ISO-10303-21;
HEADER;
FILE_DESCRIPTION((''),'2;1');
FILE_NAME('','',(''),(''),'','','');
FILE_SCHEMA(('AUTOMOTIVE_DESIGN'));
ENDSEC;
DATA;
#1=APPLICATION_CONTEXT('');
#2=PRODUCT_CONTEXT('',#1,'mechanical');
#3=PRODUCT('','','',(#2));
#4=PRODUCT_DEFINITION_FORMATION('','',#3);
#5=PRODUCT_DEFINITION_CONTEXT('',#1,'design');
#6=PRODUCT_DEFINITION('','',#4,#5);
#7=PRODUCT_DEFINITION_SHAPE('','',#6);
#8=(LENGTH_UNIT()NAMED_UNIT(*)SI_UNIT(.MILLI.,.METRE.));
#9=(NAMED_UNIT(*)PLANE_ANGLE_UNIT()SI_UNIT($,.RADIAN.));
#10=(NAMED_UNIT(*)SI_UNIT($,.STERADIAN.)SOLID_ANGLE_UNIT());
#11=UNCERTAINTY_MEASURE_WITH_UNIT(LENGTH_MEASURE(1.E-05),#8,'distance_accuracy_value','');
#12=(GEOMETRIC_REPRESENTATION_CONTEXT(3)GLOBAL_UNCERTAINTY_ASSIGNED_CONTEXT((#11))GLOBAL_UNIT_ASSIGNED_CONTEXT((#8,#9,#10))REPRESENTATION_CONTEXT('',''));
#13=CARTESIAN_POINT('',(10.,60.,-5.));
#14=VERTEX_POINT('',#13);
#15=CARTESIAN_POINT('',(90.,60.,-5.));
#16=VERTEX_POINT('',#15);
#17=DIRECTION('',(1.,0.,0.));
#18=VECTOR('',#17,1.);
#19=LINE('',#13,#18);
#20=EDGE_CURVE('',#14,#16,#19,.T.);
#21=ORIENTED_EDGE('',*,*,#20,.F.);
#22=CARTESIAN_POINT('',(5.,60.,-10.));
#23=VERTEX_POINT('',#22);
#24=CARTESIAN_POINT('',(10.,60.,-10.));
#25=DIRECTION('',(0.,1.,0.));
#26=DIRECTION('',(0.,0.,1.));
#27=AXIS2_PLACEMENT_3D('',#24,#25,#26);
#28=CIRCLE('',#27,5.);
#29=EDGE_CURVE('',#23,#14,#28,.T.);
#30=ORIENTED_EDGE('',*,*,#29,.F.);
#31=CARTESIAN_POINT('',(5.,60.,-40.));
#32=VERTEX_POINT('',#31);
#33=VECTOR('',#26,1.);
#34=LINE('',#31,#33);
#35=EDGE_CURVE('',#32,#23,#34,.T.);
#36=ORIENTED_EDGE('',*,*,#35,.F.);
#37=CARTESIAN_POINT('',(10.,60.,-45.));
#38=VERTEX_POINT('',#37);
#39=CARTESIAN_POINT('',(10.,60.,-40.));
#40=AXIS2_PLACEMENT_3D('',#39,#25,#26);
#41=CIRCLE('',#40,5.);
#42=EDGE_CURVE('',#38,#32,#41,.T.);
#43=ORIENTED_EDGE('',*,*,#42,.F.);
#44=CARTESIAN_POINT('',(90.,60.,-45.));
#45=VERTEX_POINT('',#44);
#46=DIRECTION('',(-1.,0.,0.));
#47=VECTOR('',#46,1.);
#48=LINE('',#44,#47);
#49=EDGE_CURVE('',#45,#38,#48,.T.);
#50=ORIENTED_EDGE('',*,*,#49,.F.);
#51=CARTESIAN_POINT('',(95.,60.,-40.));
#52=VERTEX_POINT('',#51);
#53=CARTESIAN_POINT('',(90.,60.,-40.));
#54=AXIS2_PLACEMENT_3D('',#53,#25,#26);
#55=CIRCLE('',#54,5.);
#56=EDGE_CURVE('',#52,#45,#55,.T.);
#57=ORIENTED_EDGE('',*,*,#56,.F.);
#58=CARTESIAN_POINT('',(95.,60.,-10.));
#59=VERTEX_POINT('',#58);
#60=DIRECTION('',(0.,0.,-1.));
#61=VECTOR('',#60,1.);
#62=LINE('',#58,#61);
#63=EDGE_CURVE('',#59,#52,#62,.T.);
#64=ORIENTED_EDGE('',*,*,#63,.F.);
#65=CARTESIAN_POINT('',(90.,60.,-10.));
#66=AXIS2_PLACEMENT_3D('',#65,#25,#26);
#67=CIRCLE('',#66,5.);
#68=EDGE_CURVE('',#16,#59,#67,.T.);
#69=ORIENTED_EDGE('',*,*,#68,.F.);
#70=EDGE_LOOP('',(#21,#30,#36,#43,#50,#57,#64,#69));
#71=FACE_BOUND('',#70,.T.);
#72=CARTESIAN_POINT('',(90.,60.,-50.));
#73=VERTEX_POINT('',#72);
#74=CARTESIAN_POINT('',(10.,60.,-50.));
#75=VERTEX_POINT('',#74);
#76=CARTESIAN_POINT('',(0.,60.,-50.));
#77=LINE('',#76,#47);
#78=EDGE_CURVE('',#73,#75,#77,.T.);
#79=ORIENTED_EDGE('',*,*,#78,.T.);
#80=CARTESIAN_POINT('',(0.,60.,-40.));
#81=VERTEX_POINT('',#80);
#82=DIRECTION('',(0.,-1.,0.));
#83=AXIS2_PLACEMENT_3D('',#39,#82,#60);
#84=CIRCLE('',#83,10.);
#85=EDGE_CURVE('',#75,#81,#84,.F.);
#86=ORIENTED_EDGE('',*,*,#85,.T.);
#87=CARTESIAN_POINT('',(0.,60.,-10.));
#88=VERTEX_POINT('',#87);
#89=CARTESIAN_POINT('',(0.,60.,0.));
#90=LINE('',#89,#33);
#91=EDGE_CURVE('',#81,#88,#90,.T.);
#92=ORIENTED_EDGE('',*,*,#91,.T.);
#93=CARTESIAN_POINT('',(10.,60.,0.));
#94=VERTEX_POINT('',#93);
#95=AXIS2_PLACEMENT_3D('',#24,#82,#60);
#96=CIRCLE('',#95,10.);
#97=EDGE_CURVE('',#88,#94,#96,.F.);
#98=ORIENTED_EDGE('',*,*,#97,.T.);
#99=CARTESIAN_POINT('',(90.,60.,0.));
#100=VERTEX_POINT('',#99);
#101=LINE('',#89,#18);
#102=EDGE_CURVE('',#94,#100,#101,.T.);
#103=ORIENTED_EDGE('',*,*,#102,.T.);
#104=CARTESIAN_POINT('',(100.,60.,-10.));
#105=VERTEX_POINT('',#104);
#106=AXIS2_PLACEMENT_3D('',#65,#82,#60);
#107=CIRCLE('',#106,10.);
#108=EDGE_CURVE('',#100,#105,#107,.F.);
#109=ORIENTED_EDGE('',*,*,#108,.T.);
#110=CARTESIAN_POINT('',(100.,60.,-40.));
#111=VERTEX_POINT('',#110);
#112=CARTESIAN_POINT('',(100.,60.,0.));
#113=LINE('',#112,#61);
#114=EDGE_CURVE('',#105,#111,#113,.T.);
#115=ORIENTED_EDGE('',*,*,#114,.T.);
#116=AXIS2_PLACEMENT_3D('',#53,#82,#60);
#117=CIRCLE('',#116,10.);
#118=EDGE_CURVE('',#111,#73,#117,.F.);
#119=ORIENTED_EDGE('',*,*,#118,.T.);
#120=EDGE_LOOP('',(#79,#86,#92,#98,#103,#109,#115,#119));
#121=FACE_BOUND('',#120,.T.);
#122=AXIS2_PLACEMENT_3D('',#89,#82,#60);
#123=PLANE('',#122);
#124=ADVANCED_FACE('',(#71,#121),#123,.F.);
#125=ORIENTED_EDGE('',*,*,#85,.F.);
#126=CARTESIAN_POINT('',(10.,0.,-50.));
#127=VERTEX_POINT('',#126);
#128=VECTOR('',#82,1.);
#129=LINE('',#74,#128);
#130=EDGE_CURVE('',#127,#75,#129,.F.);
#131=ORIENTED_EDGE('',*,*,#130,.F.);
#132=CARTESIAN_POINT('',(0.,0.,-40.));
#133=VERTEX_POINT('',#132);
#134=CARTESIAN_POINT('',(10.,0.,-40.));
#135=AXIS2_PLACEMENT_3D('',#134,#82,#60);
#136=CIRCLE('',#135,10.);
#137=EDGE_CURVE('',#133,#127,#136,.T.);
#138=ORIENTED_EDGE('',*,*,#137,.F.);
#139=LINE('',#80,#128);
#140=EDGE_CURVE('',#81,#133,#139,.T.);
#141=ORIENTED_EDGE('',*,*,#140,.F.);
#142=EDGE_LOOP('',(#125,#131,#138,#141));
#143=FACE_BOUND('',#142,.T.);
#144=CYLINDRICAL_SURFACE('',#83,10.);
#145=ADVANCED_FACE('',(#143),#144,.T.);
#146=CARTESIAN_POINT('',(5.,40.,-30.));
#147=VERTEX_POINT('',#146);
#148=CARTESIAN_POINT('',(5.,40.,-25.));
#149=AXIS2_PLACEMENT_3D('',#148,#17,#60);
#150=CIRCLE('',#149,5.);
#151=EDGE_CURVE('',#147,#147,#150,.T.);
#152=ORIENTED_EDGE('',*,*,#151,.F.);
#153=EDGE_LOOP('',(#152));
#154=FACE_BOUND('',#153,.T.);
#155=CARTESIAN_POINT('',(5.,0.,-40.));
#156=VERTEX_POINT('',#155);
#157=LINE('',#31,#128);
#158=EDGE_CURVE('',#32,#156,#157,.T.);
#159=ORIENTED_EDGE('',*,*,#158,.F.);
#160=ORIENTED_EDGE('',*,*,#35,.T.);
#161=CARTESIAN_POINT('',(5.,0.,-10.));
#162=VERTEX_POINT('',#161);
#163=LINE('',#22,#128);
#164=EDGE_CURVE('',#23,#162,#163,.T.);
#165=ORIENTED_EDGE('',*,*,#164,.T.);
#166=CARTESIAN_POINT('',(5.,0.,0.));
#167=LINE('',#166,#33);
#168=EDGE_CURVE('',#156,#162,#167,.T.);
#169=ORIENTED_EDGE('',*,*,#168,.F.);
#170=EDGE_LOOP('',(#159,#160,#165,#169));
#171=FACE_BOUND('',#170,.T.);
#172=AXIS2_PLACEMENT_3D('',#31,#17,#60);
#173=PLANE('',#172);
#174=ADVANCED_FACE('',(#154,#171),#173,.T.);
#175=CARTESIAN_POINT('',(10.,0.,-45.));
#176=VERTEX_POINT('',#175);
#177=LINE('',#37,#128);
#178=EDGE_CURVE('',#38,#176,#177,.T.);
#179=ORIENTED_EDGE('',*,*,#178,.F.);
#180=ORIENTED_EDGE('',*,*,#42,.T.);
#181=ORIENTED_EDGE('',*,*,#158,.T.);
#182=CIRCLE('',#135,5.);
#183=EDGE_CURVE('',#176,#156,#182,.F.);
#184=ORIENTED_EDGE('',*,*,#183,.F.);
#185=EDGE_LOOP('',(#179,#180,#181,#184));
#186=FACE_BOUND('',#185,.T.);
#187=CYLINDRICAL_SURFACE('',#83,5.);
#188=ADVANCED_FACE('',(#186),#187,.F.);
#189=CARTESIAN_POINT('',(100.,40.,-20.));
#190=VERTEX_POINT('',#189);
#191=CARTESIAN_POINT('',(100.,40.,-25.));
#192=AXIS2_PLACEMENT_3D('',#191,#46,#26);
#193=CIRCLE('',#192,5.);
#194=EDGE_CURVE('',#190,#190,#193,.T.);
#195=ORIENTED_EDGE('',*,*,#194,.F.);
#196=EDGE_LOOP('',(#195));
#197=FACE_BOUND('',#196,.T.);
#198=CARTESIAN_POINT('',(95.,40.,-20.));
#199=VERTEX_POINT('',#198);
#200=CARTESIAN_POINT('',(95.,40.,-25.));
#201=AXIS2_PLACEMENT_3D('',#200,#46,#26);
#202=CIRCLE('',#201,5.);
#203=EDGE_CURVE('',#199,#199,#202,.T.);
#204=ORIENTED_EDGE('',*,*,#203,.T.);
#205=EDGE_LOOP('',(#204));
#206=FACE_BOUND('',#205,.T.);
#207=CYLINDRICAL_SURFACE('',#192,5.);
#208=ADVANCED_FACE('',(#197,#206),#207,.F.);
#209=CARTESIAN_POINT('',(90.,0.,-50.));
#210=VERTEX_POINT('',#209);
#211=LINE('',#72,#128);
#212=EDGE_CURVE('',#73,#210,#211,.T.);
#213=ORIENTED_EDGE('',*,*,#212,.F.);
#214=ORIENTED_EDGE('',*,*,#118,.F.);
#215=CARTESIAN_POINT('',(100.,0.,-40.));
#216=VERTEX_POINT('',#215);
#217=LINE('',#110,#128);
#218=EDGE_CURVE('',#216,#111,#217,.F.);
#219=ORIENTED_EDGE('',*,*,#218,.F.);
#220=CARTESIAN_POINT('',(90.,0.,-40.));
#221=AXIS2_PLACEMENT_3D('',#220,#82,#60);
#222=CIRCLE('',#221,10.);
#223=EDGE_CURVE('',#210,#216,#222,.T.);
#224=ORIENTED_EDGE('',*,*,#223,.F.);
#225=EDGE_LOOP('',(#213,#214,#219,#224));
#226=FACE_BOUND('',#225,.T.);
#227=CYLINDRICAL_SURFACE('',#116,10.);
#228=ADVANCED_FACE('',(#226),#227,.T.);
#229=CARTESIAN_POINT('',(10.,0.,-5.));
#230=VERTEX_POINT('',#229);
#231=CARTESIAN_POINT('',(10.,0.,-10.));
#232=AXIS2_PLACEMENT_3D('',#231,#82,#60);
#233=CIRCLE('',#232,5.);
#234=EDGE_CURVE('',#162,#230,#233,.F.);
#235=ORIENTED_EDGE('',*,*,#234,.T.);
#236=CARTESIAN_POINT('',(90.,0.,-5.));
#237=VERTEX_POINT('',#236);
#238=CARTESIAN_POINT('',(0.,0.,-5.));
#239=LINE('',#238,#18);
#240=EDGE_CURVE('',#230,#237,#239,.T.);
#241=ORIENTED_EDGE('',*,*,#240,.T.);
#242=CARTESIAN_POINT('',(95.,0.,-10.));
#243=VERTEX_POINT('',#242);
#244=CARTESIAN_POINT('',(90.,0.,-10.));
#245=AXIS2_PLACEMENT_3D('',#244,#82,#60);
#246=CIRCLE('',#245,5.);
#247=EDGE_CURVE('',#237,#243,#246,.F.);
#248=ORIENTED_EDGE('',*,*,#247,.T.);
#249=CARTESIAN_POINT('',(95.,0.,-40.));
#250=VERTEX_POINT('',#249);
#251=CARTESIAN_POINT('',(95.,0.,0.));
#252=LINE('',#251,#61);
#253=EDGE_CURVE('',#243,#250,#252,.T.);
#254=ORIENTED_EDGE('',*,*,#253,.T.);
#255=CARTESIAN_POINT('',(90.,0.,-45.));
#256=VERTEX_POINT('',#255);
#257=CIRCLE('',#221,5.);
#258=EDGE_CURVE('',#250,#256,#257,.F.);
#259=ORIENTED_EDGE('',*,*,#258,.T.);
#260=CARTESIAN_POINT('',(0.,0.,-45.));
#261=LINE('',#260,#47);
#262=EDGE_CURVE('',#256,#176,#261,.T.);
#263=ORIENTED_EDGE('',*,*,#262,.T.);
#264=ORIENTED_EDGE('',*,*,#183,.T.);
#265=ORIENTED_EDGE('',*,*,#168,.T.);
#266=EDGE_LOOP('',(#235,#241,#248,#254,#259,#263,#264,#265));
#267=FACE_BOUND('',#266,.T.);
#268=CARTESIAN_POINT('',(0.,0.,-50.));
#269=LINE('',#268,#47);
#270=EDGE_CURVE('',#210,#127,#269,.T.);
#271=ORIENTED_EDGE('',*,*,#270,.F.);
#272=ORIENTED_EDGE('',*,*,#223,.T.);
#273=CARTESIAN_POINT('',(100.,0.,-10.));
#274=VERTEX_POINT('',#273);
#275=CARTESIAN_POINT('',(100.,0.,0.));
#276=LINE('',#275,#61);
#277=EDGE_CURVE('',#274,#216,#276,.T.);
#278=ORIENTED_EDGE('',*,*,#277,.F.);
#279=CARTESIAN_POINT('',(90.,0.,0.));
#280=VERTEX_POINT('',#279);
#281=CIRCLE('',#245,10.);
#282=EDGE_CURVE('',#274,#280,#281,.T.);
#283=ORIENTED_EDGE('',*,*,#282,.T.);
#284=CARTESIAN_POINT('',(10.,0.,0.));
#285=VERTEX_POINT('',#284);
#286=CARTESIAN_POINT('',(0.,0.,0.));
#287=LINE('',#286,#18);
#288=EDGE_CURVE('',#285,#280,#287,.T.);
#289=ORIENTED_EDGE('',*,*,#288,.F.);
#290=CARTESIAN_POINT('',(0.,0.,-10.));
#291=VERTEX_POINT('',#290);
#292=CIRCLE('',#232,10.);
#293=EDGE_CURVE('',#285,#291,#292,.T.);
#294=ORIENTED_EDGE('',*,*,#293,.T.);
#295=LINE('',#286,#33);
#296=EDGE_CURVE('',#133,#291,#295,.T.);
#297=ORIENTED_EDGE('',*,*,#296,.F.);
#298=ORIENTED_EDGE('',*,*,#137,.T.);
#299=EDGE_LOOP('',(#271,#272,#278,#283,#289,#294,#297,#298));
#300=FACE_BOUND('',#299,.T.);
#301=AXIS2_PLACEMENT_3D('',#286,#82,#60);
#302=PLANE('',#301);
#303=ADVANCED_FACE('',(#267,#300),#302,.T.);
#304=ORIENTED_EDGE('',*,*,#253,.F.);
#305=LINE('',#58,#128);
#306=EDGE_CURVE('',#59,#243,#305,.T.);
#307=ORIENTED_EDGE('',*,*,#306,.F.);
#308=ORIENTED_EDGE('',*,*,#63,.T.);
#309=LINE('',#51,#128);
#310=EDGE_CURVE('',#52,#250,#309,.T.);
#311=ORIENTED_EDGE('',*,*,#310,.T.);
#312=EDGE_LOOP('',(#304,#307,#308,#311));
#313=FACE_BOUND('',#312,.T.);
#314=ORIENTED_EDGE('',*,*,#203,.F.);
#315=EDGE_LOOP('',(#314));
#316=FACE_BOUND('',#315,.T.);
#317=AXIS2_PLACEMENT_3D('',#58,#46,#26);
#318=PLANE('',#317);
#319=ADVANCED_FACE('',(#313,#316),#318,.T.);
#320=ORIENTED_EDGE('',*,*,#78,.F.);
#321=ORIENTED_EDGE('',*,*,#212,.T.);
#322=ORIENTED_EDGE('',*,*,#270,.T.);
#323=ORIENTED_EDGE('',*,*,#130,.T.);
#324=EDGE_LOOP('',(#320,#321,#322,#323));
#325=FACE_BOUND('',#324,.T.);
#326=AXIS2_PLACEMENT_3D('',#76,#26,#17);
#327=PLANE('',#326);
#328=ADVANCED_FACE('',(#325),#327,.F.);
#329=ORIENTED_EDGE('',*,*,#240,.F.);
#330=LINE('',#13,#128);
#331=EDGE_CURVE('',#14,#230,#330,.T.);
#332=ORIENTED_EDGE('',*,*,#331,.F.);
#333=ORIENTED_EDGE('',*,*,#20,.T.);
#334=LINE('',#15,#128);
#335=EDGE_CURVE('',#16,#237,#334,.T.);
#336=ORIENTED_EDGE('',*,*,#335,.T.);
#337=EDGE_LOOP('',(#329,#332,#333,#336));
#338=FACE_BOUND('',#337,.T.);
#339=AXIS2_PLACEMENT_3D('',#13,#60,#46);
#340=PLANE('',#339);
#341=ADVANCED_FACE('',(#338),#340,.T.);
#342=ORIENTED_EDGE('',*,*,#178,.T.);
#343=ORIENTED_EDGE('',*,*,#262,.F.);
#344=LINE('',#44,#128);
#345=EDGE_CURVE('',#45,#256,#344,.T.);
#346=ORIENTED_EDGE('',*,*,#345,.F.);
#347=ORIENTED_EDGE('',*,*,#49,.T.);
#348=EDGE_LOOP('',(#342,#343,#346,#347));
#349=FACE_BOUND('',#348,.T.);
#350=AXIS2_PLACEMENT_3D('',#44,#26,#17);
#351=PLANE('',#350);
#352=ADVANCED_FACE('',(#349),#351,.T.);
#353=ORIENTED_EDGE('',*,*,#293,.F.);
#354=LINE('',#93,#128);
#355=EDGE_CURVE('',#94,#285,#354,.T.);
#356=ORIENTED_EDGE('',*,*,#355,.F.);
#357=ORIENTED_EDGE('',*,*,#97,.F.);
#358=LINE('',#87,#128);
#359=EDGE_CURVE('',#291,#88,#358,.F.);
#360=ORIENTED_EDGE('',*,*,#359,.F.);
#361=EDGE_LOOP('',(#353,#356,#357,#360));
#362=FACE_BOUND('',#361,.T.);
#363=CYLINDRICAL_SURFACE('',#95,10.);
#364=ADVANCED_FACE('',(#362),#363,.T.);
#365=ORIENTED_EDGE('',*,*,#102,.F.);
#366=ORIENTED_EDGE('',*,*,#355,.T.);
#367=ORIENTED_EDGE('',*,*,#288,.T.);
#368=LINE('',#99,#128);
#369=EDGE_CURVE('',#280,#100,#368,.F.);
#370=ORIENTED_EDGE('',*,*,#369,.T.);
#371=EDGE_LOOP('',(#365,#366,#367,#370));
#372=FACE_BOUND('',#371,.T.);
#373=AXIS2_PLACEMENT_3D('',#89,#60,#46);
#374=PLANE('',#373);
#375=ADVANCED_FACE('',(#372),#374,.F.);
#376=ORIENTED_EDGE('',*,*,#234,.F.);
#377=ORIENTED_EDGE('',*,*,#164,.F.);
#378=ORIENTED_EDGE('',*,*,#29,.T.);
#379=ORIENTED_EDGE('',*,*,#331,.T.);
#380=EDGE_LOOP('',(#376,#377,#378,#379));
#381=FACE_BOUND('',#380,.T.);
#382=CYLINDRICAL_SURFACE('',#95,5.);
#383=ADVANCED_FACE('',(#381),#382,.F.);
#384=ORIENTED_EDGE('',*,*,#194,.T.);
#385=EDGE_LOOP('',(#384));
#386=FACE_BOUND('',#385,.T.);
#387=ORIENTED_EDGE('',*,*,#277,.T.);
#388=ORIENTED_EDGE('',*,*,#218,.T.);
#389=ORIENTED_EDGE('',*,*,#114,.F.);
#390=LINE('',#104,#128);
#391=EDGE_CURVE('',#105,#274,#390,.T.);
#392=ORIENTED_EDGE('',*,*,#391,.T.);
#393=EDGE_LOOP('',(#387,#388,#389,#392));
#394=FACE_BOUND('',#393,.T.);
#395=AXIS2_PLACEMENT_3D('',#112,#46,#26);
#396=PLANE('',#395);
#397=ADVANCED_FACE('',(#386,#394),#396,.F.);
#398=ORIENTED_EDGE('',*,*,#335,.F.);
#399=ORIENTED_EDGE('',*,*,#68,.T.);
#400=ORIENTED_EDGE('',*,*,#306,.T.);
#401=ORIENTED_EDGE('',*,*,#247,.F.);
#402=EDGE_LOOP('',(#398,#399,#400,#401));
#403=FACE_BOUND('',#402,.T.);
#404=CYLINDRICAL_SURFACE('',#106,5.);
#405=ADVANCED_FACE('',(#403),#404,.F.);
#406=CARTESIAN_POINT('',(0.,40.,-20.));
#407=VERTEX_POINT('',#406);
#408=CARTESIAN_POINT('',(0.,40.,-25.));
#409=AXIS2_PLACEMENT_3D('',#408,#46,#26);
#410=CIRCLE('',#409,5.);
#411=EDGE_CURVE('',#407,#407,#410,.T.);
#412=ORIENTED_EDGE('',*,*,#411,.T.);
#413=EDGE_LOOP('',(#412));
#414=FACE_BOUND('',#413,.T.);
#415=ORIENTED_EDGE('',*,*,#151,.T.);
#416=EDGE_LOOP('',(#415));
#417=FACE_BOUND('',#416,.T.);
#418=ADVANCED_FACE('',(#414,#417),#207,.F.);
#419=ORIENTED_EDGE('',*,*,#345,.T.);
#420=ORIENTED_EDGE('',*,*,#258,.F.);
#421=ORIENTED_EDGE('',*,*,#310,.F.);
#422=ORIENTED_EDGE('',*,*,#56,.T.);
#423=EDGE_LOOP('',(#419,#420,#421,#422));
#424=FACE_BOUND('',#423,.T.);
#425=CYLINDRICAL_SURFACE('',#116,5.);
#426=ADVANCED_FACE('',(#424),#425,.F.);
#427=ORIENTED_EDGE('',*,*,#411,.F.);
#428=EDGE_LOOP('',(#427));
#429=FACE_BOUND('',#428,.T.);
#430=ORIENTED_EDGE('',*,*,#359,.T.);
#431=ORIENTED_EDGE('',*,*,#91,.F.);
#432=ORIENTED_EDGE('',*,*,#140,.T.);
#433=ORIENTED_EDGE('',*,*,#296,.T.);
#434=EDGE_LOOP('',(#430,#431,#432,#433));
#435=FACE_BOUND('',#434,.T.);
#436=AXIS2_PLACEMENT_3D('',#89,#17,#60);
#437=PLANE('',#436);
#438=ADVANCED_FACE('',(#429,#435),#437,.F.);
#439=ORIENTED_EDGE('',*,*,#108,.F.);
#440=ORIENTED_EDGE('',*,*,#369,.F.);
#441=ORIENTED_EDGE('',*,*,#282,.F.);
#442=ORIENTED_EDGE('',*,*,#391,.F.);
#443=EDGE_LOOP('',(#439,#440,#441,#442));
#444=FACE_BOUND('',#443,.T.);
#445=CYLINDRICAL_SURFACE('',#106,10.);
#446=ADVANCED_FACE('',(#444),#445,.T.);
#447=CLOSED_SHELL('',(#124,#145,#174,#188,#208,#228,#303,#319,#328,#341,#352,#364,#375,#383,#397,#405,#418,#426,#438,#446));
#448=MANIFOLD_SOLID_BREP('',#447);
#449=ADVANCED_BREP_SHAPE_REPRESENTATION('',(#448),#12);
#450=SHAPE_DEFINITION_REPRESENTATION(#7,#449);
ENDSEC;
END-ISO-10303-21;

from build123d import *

# Parameters (mm, degrees)
SKETCH1_W           = 100
SKETCH1_H           = 50
BOSS_EXTRUDE1_DEPTH = 60
FILLET2_R           = 10
CUT_EXTRUDE1_DEPTH  = 80
SKETCH2_R           = 5
CUT_EXTRUDE2_DEPTH  = 127.885775404


with BuildPart() as part:
    # Sketch1 → Boss-Extrude1 (new body)
    with BuildSketch(Plane(origin=(0, 0, 0), x_dir=(1, 0, 0), z_dir=(0, 1, 0))):
        with Locations((50, 25)):
            Rectangle(SKETCH1_W, SKETCH1_H)
    extrude(amount=BOSS_EXTRUDE1_DEPTH)

    # Fillet2
    fillet2_edges = [part.edges().sort_by_distance(p)[0] for p in [
        (0, 30, -50),
        (100, 30, -50),
        (100, 30, 0),
        (0, 30, 0),
    ]]
    fillet(fillet2_edges, radius=FILLET2_R)

    # 3DSketch1 → Cut-Extrude1 (cut)
    with BuildSketch(Plane(origin=(10, 60, -5), x_dir=(0.924678098474716, 0, -0.38074980525429475), z_dir=(0, 1, 0))):
        with BuildLine():
            Line((0, 0), (73.974247878, -30.45998442))
            ThreePointArc((73.974247878, -30.45998442), (77.801073827, -30.451978543), (80.501387397, -27.740342954))
            Line((80.501387397, -27.740342954), (91.923881554, 0))
            ThreePointArc((91.923881554, 0), (91.915875677, 3.826825949), (89.204240088, 6.527139519))
            Line((89.204240088, 6.527139519), (15.22999221, 36.987123939))
            ThreePointArc((15.22999221, 36.987123939), (11.403166261, 36.979118062), (8.702852692, 34.267482473))
            Line((8.702852692, 34.267482473), (-2.719641466, 6.527139519))
            ThreePointArc((-2.719641466, 6.527139519), (-2.711635589, 2.700313569), (0, 0))
        make_face()
    extrude(amount=-CUT_EXTRUDE1_DEPTH, mode=Mode.SUBTRACT)

    # Sketch2 → Cut-Extrude2 (cut, through all)
    with BuildSketch(Plane.ZY):
        with Locations((-25, 40)):
            Circle(SKETCH2_R)
    extrude(amount=-CUT_EXTRUDE2_DEPTH, mode=Mode.SUBTRACT)


solid = part.part
